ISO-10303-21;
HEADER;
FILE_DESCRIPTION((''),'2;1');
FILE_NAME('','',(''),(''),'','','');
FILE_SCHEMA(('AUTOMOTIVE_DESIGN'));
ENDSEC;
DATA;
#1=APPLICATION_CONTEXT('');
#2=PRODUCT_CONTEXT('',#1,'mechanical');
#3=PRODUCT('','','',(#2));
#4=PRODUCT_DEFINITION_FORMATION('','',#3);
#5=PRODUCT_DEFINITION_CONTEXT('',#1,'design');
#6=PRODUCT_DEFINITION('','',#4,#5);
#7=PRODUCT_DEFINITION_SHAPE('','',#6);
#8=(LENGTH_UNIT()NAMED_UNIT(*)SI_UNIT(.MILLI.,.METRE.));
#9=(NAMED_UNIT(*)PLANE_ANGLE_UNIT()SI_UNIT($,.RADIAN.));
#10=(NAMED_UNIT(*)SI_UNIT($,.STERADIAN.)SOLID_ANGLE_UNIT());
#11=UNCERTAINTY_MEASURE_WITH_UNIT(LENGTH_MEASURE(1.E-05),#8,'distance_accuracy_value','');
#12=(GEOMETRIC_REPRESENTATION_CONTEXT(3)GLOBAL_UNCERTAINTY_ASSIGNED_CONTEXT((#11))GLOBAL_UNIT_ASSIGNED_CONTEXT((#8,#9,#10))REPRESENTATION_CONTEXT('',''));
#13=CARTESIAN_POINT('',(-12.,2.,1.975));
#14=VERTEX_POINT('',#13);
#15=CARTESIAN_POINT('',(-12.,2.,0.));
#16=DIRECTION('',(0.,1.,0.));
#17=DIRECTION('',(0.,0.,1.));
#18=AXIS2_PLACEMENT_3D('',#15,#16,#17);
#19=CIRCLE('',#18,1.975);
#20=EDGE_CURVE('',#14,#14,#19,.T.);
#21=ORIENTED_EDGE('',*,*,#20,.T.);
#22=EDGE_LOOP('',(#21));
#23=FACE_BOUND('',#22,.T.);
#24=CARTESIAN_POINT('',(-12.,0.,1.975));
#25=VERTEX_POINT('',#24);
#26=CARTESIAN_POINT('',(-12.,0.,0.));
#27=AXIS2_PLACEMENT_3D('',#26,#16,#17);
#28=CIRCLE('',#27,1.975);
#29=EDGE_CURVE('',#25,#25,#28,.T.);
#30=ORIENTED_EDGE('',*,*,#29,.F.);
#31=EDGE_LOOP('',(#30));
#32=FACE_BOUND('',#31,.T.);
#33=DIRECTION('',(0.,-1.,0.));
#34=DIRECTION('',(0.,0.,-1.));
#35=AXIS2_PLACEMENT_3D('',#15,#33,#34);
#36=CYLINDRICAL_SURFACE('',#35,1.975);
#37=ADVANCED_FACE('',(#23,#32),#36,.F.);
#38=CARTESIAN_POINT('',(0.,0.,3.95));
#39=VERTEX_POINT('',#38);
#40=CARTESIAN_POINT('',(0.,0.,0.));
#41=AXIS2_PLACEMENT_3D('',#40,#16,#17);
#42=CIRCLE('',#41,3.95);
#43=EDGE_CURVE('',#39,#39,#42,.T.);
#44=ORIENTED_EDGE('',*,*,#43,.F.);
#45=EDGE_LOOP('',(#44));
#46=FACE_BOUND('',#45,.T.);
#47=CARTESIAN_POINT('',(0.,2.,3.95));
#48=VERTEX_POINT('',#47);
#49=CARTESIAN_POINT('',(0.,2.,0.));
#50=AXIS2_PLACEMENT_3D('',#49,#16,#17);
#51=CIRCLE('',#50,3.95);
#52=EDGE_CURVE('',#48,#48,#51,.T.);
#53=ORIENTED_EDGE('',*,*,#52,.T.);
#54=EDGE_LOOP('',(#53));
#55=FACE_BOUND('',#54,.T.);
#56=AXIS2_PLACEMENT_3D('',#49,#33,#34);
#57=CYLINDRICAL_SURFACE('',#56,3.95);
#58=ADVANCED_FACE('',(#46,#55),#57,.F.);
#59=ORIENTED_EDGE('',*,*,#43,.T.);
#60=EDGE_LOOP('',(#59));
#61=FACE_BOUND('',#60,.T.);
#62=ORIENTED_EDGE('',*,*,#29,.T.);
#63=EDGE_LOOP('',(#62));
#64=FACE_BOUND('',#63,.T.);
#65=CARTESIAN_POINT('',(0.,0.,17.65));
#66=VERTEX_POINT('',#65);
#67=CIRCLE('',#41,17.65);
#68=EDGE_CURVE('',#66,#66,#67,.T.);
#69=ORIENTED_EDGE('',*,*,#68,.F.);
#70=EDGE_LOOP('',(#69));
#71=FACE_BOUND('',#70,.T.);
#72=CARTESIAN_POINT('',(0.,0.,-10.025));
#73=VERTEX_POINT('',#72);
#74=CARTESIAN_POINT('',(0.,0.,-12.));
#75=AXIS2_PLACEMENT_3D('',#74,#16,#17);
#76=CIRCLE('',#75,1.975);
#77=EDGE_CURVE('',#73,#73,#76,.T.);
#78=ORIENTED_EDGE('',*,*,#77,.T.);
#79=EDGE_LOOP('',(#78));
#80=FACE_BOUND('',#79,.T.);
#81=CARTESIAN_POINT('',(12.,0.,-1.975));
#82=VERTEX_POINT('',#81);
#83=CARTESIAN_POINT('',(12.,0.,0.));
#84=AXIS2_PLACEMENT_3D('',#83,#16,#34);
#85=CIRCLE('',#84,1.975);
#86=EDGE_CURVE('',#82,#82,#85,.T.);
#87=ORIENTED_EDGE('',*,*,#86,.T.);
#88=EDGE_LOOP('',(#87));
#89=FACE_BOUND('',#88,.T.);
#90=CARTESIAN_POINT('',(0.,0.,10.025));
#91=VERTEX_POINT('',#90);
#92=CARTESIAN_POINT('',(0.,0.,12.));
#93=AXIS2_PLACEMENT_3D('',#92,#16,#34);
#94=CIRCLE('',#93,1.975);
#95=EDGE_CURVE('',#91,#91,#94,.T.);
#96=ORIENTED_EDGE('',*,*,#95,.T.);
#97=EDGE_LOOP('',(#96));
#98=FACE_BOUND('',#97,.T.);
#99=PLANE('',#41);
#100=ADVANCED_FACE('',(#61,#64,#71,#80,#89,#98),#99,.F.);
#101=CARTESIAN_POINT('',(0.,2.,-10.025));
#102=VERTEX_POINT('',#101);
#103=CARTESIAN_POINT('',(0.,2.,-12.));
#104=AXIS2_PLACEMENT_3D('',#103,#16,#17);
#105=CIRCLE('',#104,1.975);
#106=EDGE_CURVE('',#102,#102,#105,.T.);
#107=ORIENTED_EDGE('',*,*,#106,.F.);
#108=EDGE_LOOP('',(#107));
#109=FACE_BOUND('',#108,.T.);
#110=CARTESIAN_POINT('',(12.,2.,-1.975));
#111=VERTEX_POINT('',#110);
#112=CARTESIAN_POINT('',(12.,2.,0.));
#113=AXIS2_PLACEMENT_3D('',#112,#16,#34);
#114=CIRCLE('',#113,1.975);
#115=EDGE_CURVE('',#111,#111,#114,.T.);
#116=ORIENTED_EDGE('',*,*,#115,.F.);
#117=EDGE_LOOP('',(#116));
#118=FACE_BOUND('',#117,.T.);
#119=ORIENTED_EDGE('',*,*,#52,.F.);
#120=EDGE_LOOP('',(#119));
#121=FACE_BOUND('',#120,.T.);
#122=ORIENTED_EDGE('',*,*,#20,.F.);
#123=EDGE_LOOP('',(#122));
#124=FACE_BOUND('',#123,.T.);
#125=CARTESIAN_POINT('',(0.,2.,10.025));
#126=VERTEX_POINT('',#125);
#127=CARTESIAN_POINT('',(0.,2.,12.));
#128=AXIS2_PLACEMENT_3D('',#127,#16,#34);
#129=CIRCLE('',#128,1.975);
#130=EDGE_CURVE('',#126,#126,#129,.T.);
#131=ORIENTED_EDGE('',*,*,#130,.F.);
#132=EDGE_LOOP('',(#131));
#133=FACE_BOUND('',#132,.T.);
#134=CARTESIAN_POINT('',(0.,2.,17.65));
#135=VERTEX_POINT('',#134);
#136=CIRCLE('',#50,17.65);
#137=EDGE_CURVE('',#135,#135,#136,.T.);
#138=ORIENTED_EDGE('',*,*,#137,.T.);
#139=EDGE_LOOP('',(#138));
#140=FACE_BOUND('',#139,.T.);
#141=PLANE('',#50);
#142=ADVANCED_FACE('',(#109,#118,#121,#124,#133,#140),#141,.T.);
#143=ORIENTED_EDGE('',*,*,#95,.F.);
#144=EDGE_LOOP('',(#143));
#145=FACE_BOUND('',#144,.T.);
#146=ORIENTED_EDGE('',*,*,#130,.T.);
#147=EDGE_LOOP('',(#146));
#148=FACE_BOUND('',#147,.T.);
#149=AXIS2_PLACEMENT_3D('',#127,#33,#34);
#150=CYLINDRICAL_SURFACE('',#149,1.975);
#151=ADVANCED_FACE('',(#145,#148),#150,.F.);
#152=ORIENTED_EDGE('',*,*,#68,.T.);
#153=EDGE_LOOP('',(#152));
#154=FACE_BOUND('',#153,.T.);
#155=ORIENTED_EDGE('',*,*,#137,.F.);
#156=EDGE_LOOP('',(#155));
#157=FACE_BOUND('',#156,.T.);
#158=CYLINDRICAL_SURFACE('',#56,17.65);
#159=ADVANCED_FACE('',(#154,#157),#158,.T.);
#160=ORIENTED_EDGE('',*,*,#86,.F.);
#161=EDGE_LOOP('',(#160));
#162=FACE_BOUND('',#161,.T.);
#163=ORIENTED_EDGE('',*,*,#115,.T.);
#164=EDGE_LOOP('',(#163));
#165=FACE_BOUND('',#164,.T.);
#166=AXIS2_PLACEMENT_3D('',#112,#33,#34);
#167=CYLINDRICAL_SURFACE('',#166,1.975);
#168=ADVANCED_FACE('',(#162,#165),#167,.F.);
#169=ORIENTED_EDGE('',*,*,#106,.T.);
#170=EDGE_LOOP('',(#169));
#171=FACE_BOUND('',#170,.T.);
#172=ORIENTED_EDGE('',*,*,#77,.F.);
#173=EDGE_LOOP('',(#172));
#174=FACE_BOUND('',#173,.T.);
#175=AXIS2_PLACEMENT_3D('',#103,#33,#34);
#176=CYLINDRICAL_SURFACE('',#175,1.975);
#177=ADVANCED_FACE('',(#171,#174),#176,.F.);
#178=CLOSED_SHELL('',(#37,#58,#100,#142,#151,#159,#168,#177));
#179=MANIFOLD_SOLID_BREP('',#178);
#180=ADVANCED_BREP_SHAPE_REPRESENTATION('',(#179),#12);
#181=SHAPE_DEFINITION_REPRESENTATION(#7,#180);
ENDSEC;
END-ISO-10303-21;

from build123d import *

# Parameters (mm, degrees)
SKETCH1_R           = 17.65
SKETCH1_R_2         = 3.95
SKETCH1_R_3         = 1.975
BOSS_EXTRUDE1_DEPTH = 2


with BuildPart() as part:
    # Sketch1 → Boss-Extrude1 (new body)
    with BuildSketch(Plane(origin=(0, 0, 0), x_dir=(1, 0, 0), z_dir=(0, 1, 0))):
        with Locations(Location((0, 0, 0), (0, 0, 270))):
            Circle(SKETCH1_R)
        with Locations(Location((0, 0, 0), (0, 0, 270))):
            Circle(SKETCH1_R_2, mode=Mode.SUBTRACT)
        with Locations(Location((0, 12, 0), (0, 0, 270))):
            Circle(SKETCH1_R_3, mode=Mode.SUBTRACT)
        with Locations(Location((-12, 0, 0), (0, 0, 270))):
            Circle(SKETCH1_R_3, mode=Mode.SUBTRACT)
        with Locations(Location((12, 0, 0), (0, 0, 90))):
            Circle(SKETCH1_R_3, mode=Mode.SUBTRACT)
        with Locations(Location((0, -12, 0), (0, 0, 90))):
            Circle(SKETCH1_R_3, mode=Mode.SUBTRACT)
    extrude(amount=BOSS_EXTRUDE1_DEPTH)


solid = part.part
